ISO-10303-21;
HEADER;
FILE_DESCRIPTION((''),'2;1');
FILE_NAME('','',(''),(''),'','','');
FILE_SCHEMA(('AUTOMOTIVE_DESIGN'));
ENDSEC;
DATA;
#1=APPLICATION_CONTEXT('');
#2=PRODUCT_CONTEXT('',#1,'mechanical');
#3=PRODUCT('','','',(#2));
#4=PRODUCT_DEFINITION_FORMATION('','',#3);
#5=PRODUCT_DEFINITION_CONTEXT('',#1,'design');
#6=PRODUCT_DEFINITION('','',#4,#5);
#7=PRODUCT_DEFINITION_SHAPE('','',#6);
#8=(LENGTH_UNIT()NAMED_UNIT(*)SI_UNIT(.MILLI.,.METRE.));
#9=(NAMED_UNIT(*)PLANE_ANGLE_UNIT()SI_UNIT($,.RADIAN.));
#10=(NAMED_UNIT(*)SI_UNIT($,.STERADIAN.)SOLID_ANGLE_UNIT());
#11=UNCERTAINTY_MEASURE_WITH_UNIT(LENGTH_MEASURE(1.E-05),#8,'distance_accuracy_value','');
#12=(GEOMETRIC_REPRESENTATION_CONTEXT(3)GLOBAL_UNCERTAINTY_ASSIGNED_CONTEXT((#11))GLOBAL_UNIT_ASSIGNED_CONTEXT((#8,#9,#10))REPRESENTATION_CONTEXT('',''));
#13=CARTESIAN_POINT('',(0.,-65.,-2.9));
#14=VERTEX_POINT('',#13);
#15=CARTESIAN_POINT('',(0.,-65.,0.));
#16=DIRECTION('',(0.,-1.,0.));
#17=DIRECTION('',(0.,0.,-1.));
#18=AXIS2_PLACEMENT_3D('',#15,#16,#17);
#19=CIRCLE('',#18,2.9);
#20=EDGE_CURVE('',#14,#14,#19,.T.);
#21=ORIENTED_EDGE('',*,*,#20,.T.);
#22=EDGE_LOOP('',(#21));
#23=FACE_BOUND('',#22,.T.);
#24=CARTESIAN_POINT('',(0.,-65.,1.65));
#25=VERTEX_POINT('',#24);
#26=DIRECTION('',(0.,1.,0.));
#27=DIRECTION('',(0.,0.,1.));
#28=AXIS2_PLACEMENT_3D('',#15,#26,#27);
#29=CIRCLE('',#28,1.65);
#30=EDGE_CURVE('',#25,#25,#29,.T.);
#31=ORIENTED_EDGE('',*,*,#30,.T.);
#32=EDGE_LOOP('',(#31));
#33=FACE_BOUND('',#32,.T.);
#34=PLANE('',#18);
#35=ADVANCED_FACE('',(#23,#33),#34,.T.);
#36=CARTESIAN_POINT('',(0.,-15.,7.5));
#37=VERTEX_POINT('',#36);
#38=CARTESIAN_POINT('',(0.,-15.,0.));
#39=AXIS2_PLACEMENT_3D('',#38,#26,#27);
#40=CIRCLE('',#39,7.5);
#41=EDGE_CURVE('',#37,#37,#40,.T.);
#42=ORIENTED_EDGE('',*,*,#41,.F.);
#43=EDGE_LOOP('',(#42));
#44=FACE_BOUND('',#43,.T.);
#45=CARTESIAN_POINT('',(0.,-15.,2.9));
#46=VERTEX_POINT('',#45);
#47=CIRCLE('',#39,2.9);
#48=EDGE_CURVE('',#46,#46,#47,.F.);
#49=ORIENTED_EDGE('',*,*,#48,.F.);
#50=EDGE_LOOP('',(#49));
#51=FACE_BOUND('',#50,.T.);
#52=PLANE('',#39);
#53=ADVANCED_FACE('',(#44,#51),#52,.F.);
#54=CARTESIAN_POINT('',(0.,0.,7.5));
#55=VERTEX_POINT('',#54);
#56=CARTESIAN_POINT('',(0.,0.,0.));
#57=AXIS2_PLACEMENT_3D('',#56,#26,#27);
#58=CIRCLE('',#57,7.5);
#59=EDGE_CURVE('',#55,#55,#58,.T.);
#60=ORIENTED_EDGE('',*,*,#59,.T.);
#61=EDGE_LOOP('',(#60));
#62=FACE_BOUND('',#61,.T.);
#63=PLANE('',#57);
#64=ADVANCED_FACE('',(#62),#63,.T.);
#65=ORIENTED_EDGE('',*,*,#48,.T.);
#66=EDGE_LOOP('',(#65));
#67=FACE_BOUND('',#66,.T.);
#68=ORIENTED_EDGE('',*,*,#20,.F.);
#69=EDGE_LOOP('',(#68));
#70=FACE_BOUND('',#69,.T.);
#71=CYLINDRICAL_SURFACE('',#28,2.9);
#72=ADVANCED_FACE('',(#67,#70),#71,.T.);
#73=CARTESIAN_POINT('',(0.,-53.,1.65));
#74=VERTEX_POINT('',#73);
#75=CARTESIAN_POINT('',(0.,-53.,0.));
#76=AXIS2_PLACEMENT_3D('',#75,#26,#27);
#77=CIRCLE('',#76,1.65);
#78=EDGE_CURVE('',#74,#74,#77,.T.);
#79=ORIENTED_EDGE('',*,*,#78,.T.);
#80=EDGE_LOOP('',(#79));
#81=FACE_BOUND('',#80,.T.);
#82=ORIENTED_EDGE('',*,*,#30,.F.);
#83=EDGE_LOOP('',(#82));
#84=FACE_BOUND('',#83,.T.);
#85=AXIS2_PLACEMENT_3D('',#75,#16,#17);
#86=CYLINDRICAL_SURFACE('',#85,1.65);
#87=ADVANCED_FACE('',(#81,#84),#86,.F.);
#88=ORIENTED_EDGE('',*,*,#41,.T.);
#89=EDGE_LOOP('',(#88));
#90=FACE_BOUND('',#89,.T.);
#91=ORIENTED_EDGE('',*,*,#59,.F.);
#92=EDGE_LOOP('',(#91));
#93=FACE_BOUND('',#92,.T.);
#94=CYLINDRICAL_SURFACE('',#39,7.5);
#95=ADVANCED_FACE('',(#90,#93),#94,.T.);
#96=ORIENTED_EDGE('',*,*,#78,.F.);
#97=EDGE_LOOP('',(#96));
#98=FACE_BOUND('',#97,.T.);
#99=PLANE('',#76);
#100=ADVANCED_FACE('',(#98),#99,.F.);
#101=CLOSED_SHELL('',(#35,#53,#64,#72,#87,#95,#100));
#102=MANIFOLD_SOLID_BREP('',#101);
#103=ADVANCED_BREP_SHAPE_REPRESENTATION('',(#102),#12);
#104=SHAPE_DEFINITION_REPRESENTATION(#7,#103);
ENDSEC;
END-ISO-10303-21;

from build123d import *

# Parameters (mm, degrees)
SKETCH1_R           = 7.5
BOSS_EXTRUDE1_DEPTH = 15
SKETCH3_R           = 2.9
BOSS_EXTRUDE3_DEPTH = 50
SKETCH4_R           = 1.65
CUT_EXTRUDE1_DEPTH  = 12


with BuildPart() as part:
    # Sketch1 → Boss-Extrude1 (new body)
    with BuildSketch(Plane(origin=(0, 0, 0), x_dir=(1, 0, 0), z_dir=(0, 1, 0))):
        with Locations(Location((0, 0, 0), (0, 0, 270))):
            Circle(SKETCH1_R)
    extrude(amount=-BOSS_EXTRUDE1_DEPTH)

    # Sketch3 → Boss-Extrude3 (add)
    with BuildSketch(Plane.XZ.offset(15)):
        with Locations(Location((0, 0, 0), (0, 0, 90))):
            Circle(SKETCH3_R)
    extrude(amount=BOSS_EXTRUDE3_DEPTH)

    # Sketch4 → Cut-Extrude1 (cut)
    with BuildSketch(Plane(origin=(0, -65, 0), x_dir=(1, 0, 0), z_dir=(0, 1, 0))):
        with Locations(Location((0, 0, 0), (0, 0, 270))):
            Circle(SKETCH4_R)
    extrude(amount=CUT_EXTRUDE1_DEPTH, mode=Mode.SUBTRACT)


solid = part.part
